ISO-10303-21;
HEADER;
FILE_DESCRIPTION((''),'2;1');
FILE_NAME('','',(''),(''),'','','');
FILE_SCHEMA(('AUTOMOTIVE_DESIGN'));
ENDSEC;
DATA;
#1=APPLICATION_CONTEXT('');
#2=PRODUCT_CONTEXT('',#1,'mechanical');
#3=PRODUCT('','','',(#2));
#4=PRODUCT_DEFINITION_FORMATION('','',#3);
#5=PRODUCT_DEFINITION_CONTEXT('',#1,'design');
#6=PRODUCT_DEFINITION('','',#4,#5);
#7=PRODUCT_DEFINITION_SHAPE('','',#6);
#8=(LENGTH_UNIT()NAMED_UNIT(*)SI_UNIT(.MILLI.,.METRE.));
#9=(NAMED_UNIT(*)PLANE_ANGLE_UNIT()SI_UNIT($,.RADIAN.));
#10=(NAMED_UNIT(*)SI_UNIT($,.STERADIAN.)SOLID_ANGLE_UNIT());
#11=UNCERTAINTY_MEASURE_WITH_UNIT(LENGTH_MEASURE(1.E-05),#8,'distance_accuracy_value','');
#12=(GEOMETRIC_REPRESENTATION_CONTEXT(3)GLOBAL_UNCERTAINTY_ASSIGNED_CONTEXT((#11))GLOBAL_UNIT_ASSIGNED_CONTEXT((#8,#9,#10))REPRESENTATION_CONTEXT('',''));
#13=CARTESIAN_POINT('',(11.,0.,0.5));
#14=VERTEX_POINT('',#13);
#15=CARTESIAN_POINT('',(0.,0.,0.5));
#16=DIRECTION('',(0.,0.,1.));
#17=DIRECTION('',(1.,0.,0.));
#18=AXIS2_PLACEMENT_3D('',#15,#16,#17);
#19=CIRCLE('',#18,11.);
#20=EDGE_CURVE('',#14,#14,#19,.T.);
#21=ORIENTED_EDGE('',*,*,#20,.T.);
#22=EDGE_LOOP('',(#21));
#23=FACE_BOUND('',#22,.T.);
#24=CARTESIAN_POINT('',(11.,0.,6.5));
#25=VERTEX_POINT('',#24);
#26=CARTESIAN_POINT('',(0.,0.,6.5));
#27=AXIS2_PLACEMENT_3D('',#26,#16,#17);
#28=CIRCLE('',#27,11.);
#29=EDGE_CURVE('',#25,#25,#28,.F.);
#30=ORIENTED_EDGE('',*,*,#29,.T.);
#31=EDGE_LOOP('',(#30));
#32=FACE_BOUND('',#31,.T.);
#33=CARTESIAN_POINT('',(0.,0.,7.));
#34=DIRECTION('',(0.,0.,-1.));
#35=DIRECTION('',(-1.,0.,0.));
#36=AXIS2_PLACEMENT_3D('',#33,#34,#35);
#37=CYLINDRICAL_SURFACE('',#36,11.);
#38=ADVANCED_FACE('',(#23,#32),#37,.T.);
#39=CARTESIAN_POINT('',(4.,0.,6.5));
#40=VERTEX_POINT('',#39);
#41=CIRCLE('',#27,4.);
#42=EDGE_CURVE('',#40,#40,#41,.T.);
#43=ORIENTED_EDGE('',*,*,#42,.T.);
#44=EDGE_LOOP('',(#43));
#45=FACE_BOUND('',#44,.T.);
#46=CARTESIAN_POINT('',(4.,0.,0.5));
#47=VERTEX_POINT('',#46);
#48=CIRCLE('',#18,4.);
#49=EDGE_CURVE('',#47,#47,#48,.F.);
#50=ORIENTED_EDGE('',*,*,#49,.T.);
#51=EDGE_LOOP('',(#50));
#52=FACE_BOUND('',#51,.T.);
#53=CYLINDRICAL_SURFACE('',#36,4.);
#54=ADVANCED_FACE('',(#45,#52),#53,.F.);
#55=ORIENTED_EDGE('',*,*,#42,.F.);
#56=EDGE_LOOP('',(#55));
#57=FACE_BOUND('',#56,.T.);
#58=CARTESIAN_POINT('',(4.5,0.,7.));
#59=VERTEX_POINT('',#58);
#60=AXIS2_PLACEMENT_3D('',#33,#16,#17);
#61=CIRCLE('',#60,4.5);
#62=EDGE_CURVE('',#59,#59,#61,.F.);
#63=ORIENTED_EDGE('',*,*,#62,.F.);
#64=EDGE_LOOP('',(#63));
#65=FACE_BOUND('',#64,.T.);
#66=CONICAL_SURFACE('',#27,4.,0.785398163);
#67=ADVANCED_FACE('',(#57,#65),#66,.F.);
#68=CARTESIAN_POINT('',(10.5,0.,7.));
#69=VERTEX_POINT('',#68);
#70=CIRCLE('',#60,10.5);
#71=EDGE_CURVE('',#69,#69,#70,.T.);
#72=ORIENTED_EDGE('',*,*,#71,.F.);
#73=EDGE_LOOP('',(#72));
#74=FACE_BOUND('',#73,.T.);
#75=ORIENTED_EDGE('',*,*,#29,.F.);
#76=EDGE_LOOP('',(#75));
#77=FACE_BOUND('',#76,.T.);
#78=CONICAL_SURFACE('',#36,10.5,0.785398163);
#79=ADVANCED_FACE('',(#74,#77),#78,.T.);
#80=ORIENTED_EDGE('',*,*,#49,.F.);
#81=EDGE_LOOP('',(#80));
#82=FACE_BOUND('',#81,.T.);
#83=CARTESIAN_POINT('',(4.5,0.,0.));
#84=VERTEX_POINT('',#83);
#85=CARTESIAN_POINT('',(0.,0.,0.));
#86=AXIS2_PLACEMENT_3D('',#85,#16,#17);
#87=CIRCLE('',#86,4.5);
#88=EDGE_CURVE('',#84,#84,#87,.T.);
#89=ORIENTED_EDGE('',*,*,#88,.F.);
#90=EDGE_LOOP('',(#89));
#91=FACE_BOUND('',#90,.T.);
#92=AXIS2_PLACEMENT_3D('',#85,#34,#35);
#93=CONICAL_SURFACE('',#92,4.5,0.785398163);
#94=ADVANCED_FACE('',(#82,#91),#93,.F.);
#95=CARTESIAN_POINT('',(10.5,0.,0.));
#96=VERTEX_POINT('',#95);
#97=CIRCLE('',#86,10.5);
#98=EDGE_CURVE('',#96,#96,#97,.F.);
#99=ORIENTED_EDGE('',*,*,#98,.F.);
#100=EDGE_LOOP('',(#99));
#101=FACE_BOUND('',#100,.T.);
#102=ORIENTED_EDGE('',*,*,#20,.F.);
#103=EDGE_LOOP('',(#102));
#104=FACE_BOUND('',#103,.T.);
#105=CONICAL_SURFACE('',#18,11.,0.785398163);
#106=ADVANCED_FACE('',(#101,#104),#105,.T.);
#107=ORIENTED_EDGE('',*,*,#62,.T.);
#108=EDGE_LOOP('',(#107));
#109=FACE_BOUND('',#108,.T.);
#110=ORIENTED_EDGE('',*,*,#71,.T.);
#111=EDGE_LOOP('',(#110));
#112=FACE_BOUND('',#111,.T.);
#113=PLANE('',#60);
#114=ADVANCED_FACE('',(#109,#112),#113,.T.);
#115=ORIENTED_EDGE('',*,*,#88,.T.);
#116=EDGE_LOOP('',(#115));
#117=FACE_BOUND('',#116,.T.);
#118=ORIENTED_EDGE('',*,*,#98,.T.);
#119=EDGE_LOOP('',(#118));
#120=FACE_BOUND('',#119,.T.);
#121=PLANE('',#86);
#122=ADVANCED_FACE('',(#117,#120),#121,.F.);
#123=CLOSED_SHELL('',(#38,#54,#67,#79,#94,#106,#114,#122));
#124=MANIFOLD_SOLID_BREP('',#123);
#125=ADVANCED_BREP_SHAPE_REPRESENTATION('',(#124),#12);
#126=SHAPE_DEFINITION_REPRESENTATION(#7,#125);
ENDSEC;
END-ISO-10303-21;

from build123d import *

# Parameters (mm, degrees)
SZKIC1_R                    = 11
SZKIC1_R_2                  = 4
DODANIE_WYCI_GNI_CIE1_DEPTH = 7
SFAZOWANIE1_SIZE            = 0.5


with BuildPart() as part:
    # Szkic1 → Dodanie-wyciągnięcie1 (new body)
    with BuildSketch(Plane.XY):
        Circle(SZKIC1_R)
        Circle(SZKIC1_R_2, mode=Mode.SUBTRACT)
    extrude(amount=DODANIE_WYCI_GNI_CIE1_DEPTH)

    # Sfazowanie1
    sfazowanie1_edges = [part.edges().sort_by_distance(p)[0] for p in [
        (-11, 0, 0),
        (-11, 0, 7),
        (-4, 0, 0),
        (-4, 0, 7),
    ]]
    chamfer(sfazowanie1_edges, length=SFAZOWANIE1_SIZE)


solid = part.part
